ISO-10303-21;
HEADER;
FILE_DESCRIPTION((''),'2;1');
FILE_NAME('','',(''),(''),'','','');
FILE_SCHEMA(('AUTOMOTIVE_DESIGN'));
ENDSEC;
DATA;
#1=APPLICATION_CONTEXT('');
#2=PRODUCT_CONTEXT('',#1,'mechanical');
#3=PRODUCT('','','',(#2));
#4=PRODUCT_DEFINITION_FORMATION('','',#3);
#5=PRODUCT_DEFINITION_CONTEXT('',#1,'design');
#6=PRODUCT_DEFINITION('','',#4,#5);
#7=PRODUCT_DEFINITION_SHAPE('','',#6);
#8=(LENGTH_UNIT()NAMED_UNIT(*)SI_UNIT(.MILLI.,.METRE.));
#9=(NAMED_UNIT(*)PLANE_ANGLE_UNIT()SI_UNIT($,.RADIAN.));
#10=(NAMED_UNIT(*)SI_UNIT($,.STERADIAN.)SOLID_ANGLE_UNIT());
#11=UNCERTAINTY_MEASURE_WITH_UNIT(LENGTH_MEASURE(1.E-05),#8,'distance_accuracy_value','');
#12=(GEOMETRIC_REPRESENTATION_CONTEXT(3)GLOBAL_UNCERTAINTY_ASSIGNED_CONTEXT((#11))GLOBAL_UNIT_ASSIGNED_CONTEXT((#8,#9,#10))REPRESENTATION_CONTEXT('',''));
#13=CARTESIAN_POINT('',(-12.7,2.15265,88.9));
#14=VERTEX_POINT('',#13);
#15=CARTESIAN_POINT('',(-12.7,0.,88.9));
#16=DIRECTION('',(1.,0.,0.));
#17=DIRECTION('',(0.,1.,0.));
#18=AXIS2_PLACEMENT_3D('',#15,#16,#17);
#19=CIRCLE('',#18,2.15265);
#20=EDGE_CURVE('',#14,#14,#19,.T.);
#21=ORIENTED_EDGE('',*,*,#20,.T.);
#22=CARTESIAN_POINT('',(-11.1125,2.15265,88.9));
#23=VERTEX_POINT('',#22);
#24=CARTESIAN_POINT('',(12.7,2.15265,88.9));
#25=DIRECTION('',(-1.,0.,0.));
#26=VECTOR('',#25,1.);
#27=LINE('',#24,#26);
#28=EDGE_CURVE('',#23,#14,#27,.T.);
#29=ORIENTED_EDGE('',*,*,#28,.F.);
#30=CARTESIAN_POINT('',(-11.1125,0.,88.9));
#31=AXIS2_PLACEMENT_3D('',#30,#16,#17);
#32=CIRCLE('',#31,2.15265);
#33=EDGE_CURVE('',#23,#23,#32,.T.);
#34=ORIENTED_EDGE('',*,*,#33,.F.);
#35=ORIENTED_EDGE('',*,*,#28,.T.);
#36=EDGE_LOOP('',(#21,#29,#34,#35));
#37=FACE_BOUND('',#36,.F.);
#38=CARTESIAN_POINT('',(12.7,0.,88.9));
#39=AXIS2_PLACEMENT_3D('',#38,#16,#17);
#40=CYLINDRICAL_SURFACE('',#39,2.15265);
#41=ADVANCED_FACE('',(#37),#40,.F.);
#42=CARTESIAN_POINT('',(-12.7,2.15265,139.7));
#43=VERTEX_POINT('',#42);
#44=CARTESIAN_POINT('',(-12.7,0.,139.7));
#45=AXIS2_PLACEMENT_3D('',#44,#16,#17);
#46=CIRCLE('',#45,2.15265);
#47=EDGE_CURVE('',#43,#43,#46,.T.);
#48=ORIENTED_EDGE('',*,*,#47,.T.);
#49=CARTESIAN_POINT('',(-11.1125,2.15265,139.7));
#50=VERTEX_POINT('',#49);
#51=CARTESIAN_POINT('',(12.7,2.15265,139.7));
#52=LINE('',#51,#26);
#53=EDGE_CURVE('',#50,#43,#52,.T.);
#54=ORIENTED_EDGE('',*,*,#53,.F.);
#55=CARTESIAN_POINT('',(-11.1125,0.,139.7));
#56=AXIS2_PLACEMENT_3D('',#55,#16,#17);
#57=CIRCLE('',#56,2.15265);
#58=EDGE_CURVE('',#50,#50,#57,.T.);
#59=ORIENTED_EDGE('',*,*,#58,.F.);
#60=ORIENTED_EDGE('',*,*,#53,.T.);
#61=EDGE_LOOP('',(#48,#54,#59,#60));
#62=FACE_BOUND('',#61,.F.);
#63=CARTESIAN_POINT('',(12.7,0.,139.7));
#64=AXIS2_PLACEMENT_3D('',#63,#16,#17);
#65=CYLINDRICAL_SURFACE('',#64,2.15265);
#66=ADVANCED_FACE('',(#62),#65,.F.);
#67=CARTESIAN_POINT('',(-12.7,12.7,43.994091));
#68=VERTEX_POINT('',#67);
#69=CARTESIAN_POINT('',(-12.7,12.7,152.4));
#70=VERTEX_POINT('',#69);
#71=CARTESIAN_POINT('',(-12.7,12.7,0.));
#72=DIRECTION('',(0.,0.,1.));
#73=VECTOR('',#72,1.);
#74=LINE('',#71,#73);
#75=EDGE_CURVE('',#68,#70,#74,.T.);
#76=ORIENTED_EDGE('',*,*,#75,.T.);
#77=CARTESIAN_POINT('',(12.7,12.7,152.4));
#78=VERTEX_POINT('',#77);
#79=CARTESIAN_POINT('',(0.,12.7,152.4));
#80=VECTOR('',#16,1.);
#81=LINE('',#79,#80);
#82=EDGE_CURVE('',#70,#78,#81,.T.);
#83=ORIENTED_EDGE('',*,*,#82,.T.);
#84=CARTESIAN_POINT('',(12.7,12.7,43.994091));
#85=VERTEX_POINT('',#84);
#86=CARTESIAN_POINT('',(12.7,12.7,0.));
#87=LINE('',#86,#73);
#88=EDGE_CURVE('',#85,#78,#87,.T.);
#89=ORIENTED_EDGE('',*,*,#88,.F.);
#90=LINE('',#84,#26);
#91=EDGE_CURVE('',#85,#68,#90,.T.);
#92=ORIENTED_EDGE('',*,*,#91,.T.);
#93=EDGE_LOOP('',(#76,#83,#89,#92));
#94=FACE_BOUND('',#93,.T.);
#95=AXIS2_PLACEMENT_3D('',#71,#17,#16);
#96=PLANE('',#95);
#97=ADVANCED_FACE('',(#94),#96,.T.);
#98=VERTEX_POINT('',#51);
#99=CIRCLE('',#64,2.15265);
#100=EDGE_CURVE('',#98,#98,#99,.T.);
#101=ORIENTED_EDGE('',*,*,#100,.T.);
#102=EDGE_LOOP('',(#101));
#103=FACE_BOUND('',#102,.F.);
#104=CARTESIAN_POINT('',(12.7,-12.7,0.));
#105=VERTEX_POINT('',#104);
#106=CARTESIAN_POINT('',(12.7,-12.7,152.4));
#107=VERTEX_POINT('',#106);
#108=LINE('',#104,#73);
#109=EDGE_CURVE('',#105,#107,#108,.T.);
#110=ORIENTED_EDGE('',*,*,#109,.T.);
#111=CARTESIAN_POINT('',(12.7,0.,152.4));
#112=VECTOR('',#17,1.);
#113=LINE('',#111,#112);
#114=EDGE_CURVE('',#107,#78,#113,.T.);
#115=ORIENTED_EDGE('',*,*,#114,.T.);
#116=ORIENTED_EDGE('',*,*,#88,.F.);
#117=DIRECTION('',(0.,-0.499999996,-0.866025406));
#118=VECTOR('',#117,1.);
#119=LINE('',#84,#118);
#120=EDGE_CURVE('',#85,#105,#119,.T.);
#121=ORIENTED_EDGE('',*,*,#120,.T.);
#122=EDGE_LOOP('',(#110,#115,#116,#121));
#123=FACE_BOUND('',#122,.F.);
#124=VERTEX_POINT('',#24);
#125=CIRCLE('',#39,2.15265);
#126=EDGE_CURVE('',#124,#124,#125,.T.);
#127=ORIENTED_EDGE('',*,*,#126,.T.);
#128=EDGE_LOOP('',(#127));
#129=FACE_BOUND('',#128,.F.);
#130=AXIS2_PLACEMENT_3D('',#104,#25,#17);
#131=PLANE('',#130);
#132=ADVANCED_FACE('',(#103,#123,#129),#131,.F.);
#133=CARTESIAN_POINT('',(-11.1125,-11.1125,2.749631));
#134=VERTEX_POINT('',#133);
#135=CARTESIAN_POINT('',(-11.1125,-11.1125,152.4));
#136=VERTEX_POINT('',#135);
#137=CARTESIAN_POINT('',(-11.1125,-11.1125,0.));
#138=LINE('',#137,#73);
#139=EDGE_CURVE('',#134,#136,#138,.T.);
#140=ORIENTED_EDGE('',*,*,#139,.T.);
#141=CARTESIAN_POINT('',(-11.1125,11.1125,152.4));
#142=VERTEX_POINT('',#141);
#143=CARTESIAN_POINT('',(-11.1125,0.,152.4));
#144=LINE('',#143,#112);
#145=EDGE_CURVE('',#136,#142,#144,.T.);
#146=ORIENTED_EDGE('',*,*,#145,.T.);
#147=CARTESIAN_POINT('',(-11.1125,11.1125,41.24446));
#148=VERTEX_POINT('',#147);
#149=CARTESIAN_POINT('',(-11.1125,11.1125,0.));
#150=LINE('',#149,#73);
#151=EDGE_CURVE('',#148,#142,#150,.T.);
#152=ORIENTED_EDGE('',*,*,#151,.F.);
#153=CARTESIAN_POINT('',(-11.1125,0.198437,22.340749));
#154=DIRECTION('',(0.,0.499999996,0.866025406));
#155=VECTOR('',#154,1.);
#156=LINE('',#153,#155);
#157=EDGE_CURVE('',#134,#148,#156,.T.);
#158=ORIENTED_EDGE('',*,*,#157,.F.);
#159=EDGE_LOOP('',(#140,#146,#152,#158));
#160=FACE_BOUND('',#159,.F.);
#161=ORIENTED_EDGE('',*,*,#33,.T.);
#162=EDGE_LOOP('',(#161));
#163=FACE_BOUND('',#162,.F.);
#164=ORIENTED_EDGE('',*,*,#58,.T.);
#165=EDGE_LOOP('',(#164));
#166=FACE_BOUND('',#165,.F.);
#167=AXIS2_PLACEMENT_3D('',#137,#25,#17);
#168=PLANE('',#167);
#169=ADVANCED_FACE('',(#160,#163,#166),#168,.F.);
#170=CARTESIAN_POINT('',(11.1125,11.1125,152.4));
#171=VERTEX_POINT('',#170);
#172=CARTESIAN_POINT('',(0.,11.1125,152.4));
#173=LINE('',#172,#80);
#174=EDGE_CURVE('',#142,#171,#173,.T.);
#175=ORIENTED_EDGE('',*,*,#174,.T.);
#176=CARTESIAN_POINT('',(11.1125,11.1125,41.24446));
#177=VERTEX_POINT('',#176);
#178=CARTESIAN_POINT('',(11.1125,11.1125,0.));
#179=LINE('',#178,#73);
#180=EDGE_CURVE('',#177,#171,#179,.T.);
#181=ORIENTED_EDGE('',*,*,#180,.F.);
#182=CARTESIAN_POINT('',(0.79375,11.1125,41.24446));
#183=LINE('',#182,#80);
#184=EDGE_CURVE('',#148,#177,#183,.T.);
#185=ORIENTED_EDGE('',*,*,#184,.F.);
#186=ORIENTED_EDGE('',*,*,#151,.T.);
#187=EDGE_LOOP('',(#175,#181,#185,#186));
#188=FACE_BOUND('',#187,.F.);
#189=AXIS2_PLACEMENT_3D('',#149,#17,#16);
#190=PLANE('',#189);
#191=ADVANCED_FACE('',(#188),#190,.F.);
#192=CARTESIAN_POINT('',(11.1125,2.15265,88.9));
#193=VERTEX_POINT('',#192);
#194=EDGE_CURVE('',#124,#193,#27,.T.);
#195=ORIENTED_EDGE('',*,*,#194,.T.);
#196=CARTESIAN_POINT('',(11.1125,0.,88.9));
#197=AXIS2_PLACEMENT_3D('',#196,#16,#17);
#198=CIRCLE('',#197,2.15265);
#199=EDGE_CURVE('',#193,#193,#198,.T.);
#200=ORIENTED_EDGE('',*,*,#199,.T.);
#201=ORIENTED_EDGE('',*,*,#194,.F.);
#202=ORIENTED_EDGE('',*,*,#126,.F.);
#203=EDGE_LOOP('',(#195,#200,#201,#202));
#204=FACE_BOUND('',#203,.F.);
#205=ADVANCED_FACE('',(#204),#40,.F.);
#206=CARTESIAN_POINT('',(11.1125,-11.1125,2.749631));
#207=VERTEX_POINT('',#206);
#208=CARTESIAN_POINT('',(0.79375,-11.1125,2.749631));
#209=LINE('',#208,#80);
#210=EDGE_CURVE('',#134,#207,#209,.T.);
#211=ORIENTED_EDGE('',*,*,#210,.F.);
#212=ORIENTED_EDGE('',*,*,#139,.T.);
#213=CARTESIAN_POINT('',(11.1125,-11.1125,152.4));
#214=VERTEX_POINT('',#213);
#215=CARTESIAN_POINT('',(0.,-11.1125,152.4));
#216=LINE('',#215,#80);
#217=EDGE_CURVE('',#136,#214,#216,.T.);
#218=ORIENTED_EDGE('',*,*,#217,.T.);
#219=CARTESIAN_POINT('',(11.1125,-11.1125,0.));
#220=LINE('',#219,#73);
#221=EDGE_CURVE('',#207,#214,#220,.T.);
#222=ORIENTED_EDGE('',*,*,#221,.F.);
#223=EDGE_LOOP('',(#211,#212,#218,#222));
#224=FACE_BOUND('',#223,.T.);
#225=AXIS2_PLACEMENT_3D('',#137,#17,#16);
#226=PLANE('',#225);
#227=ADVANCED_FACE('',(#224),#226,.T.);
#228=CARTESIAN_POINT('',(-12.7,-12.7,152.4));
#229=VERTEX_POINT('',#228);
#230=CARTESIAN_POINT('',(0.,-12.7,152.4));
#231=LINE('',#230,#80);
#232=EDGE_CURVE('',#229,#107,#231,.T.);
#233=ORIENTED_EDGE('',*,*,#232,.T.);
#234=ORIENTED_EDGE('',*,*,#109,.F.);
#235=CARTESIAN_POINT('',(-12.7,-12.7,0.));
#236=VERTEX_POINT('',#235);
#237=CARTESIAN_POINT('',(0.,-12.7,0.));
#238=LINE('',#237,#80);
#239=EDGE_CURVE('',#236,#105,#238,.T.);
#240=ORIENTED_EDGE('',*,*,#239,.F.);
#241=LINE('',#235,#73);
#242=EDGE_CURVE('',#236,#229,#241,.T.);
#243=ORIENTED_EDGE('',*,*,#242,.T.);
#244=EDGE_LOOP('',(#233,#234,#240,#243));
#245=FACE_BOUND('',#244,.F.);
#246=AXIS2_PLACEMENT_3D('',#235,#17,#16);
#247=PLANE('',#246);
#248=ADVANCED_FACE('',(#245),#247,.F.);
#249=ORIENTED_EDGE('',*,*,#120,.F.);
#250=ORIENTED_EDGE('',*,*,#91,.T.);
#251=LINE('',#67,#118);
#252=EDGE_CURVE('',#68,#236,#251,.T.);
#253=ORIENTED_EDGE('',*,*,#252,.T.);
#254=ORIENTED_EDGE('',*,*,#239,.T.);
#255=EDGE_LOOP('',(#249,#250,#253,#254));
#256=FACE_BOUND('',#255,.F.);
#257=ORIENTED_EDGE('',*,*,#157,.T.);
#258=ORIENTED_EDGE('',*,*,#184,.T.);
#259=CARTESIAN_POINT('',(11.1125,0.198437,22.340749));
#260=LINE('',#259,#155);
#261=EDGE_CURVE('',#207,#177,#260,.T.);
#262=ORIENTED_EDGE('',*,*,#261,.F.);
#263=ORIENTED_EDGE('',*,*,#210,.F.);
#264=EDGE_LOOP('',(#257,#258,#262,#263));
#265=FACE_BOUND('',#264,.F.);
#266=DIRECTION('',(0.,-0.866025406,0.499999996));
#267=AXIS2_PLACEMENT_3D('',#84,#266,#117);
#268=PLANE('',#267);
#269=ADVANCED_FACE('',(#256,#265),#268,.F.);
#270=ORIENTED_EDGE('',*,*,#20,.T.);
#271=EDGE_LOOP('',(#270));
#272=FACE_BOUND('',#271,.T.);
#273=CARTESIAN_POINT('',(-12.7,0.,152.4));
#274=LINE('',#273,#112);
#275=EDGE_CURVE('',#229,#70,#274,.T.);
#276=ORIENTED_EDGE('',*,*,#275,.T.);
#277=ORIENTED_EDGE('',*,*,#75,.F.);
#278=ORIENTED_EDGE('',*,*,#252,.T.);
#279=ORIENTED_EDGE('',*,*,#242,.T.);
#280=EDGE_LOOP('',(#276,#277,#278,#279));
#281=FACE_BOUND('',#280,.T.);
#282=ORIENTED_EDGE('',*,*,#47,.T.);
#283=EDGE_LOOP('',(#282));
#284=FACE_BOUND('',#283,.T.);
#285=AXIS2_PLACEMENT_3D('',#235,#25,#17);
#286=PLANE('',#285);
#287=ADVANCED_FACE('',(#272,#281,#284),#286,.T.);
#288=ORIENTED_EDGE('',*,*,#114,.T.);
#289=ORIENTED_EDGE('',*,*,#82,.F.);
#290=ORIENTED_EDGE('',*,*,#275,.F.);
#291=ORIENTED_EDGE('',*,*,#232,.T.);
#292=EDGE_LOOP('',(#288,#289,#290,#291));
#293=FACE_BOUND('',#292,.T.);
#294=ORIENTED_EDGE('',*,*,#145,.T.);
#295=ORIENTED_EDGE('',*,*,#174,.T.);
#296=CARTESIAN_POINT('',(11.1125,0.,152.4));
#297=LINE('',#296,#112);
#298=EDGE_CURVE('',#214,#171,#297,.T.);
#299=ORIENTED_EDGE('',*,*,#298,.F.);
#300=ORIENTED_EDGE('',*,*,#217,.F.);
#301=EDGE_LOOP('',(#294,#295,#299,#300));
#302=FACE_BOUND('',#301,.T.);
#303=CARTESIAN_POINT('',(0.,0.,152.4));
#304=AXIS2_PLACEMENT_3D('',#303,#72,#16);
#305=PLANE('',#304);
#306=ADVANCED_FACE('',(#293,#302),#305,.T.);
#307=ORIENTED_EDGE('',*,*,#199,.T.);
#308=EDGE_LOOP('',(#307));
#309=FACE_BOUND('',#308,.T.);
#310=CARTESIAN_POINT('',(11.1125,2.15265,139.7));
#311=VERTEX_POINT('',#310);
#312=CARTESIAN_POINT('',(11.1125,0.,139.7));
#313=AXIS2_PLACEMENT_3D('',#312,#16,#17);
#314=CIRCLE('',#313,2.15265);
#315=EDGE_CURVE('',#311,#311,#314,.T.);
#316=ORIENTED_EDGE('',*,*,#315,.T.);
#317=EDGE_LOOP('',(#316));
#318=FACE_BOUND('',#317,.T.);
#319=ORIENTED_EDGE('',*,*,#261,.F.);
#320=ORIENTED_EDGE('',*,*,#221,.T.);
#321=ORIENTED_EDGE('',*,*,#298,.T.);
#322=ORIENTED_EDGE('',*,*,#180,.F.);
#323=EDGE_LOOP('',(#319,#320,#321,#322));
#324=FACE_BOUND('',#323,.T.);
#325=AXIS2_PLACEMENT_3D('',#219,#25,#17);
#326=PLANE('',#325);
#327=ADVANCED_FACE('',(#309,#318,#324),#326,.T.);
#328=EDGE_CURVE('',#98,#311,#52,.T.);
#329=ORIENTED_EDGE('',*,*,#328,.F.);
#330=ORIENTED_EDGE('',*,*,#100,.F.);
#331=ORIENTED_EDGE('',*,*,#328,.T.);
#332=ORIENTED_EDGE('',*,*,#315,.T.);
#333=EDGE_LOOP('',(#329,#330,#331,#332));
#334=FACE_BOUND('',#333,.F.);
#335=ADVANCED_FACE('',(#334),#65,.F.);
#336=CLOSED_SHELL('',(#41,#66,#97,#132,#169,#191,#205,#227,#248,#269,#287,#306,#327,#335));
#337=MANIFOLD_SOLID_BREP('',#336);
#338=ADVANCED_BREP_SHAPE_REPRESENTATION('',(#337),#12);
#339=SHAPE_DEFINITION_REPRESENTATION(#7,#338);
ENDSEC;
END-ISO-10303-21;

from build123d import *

# Parameters (mm, degrees)
F0_W     = 25.4
F0_H     = 25.4
F0_W_2   = 22.225
F0_H_2   = 22.225
F1_DEPTH = 152.4
F3_DEPTH = 25.4
F4_R     = 2.15265
F5_DEPTH = 25.4


with BuildPart() as f1:
    # F0 (on Top) → F1 (new body)
    with BuildSketch(Plane.XY):
        Rectangle(F0_W, F0_H)
        Rectangle(F0_W_2, F0_H_2, mode=Mode.SUBTRACT)
    extrude(amount=F1_DEPTH)

    # F2 (on face) → F3 (cut, through all)
    with BuildSketch(Plane.YZ.offset(12.7)):
        Polygon((12.7, 43.994091), (-12.7, 0), (12.7, 0), align=None)
    extrude(amount=-F3_DEPTH, mode=Mode.SUBTRACT)

    # F4 (on face) → F5 (cut, through all)
    with BuildSketch(Plane.YZ.offset(12.7)):
        with Locations((0, 139.7)):
            Circle(F4_R)
        with Locations((0, 88.9)):
            Circle(F4_R)
    extrude(amount=-F5_DEPTH, mode=Mode.SUBTRACT)


solid = f1.part
